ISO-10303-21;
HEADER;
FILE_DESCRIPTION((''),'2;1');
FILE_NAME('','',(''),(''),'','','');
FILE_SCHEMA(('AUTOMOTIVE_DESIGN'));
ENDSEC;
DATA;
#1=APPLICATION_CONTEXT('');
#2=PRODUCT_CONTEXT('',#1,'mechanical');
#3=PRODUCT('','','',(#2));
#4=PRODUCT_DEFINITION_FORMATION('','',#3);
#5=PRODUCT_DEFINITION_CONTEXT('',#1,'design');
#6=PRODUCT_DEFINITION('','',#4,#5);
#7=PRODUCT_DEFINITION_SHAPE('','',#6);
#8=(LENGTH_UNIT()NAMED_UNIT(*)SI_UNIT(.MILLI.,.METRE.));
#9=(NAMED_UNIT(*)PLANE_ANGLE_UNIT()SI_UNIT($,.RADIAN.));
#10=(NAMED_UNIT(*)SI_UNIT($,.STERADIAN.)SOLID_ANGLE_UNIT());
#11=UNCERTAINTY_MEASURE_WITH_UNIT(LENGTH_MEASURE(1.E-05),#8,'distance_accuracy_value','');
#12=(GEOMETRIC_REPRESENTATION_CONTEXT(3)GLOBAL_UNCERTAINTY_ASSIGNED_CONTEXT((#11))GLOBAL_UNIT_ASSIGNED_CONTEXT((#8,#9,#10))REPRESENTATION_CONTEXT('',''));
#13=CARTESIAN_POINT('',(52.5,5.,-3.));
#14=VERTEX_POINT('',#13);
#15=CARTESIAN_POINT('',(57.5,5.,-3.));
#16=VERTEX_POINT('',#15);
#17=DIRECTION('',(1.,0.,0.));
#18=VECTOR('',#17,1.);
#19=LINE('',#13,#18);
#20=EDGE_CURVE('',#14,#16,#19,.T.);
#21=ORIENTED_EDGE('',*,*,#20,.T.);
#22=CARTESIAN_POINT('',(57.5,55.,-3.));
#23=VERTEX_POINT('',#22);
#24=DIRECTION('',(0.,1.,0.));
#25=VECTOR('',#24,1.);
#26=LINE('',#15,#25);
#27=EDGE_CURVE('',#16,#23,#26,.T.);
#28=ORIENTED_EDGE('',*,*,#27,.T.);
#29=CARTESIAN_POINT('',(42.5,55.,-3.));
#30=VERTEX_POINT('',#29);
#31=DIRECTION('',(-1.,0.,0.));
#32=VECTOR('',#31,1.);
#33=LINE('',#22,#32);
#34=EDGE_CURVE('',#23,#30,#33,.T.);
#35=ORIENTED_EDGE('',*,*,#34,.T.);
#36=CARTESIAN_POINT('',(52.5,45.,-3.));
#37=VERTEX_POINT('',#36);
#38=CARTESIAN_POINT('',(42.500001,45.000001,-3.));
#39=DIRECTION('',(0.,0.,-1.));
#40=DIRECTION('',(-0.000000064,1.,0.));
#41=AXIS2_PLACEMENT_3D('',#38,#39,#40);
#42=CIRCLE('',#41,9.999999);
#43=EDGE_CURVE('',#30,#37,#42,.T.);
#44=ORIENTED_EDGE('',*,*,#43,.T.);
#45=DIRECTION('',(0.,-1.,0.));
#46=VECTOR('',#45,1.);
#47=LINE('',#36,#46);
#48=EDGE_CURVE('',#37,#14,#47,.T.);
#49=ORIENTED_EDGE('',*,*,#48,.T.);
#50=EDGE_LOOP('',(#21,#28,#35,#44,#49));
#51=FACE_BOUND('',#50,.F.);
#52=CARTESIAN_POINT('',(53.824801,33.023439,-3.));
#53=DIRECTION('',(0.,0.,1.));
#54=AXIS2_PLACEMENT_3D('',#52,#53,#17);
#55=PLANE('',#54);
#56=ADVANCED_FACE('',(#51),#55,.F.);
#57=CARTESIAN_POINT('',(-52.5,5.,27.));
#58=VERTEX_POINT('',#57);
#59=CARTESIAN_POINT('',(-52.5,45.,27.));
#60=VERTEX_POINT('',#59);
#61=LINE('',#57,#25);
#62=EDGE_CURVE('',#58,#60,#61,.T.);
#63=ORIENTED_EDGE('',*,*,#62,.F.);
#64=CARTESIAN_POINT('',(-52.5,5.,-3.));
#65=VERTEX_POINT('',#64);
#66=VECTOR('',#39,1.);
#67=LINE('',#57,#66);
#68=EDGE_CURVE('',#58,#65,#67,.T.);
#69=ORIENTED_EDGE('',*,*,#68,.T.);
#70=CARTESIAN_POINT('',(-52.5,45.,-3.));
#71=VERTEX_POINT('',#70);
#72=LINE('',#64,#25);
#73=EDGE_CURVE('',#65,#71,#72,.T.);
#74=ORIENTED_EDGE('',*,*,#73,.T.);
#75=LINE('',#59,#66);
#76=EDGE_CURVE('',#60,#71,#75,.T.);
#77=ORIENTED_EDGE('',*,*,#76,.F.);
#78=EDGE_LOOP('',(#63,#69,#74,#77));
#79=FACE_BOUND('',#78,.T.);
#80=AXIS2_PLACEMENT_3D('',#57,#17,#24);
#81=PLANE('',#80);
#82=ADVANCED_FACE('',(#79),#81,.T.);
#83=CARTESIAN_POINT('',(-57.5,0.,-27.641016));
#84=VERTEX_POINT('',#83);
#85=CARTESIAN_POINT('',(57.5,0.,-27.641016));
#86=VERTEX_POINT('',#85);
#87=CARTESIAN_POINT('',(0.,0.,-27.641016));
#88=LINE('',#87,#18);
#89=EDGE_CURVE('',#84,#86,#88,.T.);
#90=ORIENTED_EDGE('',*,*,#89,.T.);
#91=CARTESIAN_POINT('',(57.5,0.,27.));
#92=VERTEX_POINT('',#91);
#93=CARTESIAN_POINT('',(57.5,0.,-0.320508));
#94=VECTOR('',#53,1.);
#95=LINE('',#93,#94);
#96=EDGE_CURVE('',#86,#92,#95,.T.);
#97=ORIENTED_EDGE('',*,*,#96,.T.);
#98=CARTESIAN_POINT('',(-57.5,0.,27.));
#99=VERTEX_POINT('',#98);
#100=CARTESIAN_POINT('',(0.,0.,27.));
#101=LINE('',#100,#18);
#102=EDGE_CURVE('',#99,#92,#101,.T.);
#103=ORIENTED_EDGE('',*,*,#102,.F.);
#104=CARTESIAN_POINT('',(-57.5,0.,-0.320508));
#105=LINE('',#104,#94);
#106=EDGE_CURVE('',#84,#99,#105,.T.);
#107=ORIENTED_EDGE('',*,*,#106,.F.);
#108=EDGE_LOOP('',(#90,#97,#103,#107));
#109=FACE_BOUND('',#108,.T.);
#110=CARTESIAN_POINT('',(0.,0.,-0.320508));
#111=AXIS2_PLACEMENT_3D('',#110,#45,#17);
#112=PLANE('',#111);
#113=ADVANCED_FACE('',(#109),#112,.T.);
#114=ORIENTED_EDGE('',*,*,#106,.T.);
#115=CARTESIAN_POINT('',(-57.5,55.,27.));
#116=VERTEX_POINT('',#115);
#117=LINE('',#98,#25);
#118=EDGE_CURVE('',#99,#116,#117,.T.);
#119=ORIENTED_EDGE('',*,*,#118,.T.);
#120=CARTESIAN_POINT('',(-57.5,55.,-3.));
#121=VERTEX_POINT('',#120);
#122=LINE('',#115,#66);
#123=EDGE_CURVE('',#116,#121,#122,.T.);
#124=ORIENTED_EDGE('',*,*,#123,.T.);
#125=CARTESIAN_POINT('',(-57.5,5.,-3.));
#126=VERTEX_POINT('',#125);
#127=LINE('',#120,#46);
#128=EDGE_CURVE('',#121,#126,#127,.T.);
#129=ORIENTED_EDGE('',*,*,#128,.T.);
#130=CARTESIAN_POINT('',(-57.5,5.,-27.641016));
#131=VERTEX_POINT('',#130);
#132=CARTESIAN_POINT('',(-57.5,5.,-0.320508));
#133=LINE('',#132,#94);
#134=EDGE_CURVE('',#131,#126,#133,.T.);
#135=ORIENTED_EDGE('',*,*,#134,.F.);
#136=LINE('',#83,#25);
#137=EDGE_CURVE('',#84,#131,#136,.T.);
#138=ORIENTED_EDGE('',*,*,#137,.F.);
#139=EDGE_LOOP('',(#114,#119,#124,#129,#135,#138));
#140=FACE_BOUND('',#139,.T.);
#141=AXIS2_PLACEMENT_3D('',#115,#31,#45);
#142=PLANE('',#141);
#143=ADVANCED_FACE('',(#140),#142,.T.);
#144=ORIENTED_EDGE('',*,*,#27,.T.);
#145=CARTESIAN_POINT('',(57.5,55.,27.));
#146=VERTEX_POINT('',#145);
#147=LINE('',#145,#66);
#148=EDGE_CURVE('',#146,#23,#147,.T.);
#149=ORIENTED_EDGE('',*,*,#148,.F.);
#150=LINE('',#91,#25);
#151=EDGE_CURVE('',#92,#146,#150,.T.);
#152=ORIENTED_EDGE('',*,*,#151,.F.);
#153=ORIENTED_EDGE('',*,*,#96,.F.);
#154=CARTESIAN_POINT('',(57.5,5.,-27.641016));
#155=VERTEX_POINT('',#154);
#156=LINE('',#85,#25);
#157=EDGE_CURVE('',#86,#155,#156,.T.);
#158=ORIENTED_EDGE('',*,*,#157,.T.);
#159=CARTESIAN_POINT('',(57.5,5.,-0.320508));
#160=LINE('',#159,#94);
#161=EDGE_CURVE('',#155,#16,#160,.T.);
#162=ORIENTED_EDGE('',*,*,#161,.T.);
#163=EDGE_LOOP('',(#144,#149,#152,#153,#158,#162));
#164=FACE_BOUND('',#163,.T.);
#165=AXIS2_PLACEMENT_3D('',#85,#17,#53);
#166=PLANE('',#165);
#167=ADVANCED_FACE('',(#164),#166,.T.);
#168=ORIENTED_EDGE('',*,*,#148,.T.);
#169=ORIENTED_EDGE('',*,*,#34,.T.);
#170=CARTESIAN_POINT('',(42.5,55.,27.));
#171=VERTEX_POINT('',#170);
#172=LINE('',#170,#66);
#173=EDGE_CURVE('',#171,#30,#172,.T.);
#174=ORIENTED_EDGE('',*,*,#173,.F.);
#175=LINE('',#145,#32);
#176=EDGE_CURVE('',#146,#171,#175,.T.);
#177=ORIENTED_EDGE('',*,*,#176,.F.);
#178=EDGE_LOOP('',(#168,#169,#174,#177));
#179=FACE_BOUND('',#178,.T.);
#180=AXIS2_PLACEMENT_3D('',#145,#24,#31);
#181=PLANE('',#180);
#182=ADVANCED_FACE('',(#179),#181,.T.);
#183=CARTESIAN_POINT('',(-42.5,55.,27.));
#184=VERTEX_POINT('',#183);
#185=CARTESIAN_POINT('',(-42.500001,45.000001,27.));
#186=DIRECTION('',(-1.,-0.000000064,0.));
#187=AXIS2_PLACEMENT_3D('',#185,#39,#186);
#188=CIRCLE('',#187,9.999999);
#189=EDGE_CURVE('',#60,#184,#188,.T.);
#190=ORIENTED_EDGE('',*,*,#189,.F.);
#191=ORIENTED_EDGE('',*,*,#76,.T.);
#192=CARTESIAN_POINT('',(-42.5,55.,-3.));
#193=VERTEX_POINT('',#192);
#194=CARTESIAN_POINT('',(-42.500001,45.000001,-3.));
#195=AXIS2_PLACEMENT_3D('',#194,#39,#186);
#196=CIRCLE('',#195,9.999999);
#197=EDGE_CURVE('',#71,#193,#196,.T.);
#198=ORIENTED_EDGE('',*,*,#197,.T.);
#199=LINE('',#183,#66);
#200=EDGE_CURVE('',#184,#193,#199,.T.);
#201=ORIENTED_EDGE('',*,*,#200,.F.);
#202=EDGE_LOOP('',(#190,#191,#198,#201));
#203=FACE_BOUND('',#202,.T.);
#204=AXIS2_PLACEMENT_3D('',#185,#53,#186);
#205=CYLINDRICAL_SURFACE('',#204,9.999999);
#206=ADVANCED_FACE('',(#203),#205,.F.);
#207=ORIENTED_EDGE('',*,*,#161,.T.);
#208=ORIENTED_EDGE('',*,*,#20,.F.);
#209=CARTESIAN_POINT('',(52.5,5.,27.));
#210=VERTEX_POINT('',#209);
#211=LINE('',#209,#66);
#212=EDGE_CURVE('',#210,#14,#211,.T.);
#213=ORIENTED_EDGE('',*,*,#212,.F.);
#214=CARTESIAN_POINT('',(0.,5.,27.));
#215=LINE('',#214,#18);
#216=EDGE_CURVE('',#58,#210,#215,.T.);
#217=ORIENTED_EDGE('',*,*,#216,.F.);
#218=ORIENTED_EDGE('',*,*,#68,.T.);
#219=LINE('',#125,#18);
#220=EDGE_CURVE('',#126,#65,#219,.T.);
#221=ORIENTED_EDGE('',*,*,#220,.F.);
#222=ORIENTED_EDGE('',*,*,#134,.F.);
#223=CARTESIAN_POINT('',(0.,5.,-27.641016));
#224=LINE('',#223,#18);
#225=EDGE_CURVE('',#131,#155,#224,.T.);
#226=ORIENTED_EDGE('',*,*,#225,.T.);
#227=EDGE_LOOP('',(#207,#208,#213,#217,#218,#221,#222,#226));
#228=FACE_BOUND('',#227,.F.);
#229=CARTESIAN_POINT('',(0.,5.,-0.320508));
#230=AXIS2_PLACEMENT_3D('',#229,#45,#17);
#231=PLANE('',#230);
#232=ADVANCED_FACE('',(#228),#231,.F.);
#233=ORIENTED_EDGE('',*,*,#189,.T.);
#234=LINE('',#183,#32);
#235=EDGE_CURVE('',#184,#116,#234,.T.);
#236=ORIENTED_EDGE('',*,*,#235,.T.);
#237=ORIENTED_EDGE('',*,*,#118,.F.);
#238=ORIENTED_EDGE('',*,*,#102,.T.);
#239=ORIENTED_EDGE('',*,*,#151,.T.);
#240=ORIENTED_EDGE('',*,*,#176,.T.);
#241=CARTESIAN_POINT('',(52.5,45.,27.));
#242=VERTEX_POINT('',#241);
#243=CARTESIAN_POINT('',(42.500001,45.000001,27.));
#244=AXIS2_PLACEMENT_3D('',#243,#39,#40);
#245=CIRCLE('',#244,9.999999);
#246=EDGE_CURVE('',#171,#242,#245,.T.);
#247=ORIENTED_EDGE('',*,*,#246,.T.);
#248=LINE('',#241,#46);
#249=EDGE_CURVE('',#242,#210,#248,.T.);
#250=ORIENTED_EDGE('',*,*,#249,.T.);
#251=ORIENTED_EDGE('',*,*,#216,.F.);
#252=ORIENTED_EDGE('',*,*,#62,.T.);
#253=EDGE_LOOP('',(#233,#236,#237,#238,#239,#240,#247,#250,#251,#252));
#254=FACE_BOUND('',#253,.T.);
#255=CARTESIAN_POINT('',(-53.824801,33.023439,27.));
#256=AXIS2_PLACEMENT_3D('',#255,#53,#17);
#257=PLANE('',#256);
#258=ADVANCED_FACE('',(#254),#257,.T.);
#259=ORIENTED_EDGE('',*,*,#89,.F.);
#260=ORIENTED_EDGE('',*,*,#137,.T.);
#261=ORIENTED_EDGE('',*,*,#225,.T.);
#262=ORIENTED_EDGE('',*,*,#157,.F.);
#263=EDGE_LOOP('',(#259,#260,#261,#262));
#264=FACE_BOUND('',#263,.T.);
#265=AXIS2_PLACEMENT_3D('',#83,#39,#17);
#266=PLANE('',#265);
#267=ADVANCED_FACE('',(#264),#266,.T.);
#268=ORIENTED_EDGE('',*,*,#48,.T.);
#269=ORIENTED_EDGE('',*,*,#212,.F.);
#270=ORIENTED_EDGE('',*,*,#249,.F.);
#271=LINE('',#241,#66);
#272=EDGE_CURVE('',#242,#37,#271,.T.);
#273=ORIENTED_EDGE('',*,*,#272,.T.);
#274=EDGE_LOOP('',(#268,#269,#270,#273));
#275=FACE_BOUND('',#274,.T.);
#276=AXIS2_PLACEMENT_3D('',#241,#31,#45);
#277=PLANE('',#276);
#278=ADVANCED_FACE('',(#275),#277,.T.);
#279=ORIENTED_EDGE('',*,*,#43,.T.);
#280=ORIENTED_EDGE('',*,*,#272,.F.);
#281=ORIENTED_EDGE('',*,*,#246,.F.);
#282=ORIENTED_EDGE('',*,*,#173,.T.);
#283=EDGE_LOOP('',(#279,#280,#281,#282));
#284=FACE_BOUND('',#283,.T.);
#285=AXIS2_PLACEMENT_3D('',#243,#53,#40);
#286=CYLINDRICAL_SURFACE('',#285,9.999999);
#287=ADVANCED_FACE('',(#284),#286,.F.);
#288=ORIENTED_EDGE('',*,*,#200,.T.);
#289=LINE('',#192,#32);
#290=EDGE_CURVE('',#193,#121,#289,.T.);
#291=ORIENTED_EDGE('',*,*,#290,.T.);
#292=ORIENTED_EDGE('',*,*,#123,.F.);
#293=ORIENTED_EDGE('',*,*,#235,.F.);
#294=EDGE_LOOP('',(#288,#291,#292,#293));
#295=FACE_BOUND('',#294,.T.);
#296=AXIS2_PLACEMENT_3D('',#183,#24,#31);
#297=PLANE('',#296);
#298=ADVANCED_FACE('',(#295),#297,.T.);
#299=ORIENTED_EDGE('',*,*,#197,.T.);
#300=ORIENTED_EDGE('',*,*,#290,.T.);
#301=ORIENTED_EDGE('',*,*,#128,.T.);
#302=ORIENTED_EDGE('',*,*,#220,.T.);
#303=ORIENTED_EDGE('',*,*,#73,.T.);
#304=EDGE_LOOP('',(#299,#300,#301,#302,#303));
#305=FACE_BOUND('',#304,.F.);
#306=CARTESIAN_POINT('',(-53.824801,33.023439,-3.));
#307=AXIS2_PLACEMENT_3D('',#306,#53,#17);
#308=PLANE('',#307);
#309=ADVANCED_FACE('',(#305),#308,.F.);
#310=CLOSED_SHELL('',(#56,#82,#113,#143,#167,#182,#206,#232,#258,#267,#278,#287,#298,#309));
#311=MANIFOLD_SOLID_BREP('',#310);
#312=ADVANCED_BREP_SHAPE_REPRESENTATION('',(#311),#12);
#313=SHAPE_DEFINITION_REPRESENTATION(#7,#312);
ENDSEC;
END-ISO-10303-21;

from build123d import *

# Parameters (mm, degrees)
F0_W     = 115
F0_H     = 54.641016
F1_DEPTH = 5
F3_DEPTH = 30


with BuildPart() as f1:
    # F0 (on Front) → F1 (new body)
    with BuildSketch(Plane.XZ):
        with Locations((0, -0.320508)):
            Rectangle(F0_W, F0_H)
    extrude(amount=-F1_DEPTH)

    # F2 (on face) → F3 (join)
    with BuildSketch(Plane.XY.offset(27)):
        with BuildLine():
            Line((-57.5, 55), (-57.5, 5))
            Line((-57.5, 5), (-52.5, 5))
            Line((-52.5, 5), (-52.5, 45))
            ThreePointArc((-52.5, 45), (-49.571068, 52.071068), (-42.5, 55))
            Line((-42.5, 55), (-57.5, 55))
        make_face()
        with BuildLine():
            Line((52.5, 5), (57.5, 5))
            Line((57.5, 5), (57.5, 55))
            Line((57.5, 55), (42.5, 55))
            ThreePointArc((42.5, 55), (49.571068, 52.071068), (52.5, 45))
            Line((52.5, 45), (52.5, 5))
        make_face()
    extrude(amount=-F3_DEPTH)


solid = f1.part
